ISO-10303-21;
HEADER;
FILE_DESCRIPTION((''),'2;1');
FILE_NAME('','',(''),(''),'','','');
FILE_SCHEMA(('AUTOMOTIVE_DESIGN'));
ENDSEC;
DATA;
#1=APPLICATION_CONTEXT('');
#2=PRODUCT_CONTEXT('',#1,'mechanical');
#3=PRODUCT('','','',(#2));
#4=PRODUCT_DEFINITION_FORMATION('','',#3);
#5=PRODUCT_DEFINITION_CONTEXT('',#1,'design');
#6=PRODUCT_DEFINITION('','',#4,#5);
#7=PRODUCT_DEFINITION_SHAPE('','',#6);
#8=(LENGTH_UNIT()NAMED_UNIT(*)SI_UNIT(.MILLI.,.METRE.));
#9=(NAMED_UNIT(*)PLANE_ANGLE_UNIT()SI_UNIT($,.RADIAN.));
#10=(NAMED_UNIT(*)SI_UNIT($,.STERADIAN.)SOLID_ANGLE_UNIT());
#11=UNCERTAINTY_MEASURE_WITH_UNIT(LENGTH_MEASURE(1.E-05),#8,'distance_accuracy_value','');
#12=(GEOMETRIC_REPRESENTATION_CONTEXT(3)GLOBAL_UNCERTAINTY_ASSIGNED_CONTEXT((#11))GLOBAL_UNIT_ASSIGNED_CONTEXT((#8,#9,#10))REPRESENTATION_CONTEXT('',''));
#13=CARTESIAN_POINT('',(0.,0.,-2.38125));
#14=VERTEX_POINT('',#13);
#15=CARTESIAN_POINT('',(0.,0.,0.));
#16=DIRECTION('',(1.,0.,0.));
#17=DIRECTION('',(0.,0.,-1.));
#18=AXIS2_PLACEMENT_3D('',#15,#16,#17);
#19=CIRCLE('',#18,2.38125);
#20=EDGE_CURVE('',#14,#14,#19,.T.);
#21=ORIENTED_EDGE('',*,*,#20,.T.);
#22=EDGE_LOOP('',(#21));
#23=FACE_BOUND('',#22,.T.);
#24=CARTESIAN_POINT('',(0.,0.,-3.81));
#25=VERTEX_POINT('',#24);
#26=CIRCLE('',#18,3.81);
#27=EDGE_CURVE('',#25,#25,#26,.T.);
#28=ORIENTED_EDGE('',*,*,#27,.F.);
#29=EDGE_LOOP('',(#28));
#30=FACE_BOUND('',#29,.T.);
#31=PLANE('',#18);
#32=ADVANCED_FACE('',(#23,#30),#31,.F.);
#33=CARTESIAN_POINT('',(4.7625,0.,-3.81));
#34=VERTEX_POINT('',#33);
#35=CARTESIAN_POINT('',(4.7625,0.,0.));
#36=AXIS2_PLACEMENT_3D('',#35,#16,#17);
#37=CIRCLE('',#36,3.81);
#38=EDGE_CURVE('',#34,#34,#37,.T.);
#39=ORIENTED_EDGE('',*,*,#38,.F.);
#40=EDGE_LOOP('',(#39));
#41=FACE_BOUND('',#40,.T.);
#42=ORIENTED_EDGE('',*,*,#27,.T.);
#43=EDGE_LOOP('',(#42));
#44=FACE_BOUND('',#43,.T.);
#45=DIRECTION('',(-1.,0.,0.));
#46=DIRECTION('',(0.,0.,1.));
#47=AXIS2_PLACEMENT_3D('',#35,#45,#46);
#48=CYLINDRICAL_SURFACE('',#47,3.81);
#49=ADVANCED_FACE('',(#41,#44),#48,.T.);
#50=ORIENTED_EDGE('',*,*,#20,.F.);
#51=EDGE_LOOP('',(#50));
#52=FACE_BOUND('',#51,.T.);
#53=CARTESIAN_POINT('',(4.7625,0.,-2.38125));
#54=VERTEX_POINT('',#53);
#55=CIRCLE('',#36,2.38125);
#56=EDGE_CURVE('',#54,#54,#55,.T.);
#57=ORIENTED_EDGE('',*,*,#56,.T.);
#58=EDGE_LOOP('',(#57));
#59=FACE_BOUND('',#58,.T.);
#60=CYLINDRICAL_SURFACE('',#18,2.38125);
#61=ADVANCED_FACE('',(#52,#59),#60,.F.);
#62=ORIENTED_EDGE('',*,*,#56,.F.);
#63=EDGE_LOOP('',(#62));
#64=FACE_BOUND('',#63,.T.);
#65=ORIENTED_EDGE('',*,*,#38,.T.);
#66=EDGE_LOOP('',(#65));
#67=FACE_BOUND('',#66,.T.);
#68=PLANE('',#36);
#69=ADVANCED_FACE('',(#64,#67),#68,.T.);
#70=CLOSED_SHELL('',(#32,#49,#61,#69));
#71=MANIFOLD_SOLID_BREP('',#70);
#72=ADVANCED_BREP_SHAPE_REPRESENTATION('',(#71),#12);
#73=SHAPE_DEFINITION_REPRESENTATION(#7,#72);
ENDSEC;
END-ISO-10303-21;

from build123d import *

# Parameters (mm, degrees)
SKETCH1_R           = 3.81
BOSS_EXTRUDE1_DEPTH = 4.7625
SKETCH2_R           = 2.38125
CUT_EXTRUDE1_DEPTH  = 5.7625


with BuildPart() as part:
    # Sketch1 → Boss-Extrude1 (new body)
    with BuildSketch(Plane(origin=(0, 0, 0), x_dir=(0, 0, -1), z_dir=(1, 0, 0))):
        Circle(SKETCH1_R)
    extrude(amount=BOSS_EXTRUDE1_DEPTH)

    # Sketch2 → Cut-Extrude1 (cut, through all)
    with BuildSketch(Plane(origin=(4.7625, 0, 0), x_dir=(0, 0, -1), z_dir=(1, 0, 0))):
        Circle(SKETCH2_R)
    extrude(amount=-CUT_EXTRUDE1_DEPTH, mode=Mode.SUBTRACT)


solid = part.part
